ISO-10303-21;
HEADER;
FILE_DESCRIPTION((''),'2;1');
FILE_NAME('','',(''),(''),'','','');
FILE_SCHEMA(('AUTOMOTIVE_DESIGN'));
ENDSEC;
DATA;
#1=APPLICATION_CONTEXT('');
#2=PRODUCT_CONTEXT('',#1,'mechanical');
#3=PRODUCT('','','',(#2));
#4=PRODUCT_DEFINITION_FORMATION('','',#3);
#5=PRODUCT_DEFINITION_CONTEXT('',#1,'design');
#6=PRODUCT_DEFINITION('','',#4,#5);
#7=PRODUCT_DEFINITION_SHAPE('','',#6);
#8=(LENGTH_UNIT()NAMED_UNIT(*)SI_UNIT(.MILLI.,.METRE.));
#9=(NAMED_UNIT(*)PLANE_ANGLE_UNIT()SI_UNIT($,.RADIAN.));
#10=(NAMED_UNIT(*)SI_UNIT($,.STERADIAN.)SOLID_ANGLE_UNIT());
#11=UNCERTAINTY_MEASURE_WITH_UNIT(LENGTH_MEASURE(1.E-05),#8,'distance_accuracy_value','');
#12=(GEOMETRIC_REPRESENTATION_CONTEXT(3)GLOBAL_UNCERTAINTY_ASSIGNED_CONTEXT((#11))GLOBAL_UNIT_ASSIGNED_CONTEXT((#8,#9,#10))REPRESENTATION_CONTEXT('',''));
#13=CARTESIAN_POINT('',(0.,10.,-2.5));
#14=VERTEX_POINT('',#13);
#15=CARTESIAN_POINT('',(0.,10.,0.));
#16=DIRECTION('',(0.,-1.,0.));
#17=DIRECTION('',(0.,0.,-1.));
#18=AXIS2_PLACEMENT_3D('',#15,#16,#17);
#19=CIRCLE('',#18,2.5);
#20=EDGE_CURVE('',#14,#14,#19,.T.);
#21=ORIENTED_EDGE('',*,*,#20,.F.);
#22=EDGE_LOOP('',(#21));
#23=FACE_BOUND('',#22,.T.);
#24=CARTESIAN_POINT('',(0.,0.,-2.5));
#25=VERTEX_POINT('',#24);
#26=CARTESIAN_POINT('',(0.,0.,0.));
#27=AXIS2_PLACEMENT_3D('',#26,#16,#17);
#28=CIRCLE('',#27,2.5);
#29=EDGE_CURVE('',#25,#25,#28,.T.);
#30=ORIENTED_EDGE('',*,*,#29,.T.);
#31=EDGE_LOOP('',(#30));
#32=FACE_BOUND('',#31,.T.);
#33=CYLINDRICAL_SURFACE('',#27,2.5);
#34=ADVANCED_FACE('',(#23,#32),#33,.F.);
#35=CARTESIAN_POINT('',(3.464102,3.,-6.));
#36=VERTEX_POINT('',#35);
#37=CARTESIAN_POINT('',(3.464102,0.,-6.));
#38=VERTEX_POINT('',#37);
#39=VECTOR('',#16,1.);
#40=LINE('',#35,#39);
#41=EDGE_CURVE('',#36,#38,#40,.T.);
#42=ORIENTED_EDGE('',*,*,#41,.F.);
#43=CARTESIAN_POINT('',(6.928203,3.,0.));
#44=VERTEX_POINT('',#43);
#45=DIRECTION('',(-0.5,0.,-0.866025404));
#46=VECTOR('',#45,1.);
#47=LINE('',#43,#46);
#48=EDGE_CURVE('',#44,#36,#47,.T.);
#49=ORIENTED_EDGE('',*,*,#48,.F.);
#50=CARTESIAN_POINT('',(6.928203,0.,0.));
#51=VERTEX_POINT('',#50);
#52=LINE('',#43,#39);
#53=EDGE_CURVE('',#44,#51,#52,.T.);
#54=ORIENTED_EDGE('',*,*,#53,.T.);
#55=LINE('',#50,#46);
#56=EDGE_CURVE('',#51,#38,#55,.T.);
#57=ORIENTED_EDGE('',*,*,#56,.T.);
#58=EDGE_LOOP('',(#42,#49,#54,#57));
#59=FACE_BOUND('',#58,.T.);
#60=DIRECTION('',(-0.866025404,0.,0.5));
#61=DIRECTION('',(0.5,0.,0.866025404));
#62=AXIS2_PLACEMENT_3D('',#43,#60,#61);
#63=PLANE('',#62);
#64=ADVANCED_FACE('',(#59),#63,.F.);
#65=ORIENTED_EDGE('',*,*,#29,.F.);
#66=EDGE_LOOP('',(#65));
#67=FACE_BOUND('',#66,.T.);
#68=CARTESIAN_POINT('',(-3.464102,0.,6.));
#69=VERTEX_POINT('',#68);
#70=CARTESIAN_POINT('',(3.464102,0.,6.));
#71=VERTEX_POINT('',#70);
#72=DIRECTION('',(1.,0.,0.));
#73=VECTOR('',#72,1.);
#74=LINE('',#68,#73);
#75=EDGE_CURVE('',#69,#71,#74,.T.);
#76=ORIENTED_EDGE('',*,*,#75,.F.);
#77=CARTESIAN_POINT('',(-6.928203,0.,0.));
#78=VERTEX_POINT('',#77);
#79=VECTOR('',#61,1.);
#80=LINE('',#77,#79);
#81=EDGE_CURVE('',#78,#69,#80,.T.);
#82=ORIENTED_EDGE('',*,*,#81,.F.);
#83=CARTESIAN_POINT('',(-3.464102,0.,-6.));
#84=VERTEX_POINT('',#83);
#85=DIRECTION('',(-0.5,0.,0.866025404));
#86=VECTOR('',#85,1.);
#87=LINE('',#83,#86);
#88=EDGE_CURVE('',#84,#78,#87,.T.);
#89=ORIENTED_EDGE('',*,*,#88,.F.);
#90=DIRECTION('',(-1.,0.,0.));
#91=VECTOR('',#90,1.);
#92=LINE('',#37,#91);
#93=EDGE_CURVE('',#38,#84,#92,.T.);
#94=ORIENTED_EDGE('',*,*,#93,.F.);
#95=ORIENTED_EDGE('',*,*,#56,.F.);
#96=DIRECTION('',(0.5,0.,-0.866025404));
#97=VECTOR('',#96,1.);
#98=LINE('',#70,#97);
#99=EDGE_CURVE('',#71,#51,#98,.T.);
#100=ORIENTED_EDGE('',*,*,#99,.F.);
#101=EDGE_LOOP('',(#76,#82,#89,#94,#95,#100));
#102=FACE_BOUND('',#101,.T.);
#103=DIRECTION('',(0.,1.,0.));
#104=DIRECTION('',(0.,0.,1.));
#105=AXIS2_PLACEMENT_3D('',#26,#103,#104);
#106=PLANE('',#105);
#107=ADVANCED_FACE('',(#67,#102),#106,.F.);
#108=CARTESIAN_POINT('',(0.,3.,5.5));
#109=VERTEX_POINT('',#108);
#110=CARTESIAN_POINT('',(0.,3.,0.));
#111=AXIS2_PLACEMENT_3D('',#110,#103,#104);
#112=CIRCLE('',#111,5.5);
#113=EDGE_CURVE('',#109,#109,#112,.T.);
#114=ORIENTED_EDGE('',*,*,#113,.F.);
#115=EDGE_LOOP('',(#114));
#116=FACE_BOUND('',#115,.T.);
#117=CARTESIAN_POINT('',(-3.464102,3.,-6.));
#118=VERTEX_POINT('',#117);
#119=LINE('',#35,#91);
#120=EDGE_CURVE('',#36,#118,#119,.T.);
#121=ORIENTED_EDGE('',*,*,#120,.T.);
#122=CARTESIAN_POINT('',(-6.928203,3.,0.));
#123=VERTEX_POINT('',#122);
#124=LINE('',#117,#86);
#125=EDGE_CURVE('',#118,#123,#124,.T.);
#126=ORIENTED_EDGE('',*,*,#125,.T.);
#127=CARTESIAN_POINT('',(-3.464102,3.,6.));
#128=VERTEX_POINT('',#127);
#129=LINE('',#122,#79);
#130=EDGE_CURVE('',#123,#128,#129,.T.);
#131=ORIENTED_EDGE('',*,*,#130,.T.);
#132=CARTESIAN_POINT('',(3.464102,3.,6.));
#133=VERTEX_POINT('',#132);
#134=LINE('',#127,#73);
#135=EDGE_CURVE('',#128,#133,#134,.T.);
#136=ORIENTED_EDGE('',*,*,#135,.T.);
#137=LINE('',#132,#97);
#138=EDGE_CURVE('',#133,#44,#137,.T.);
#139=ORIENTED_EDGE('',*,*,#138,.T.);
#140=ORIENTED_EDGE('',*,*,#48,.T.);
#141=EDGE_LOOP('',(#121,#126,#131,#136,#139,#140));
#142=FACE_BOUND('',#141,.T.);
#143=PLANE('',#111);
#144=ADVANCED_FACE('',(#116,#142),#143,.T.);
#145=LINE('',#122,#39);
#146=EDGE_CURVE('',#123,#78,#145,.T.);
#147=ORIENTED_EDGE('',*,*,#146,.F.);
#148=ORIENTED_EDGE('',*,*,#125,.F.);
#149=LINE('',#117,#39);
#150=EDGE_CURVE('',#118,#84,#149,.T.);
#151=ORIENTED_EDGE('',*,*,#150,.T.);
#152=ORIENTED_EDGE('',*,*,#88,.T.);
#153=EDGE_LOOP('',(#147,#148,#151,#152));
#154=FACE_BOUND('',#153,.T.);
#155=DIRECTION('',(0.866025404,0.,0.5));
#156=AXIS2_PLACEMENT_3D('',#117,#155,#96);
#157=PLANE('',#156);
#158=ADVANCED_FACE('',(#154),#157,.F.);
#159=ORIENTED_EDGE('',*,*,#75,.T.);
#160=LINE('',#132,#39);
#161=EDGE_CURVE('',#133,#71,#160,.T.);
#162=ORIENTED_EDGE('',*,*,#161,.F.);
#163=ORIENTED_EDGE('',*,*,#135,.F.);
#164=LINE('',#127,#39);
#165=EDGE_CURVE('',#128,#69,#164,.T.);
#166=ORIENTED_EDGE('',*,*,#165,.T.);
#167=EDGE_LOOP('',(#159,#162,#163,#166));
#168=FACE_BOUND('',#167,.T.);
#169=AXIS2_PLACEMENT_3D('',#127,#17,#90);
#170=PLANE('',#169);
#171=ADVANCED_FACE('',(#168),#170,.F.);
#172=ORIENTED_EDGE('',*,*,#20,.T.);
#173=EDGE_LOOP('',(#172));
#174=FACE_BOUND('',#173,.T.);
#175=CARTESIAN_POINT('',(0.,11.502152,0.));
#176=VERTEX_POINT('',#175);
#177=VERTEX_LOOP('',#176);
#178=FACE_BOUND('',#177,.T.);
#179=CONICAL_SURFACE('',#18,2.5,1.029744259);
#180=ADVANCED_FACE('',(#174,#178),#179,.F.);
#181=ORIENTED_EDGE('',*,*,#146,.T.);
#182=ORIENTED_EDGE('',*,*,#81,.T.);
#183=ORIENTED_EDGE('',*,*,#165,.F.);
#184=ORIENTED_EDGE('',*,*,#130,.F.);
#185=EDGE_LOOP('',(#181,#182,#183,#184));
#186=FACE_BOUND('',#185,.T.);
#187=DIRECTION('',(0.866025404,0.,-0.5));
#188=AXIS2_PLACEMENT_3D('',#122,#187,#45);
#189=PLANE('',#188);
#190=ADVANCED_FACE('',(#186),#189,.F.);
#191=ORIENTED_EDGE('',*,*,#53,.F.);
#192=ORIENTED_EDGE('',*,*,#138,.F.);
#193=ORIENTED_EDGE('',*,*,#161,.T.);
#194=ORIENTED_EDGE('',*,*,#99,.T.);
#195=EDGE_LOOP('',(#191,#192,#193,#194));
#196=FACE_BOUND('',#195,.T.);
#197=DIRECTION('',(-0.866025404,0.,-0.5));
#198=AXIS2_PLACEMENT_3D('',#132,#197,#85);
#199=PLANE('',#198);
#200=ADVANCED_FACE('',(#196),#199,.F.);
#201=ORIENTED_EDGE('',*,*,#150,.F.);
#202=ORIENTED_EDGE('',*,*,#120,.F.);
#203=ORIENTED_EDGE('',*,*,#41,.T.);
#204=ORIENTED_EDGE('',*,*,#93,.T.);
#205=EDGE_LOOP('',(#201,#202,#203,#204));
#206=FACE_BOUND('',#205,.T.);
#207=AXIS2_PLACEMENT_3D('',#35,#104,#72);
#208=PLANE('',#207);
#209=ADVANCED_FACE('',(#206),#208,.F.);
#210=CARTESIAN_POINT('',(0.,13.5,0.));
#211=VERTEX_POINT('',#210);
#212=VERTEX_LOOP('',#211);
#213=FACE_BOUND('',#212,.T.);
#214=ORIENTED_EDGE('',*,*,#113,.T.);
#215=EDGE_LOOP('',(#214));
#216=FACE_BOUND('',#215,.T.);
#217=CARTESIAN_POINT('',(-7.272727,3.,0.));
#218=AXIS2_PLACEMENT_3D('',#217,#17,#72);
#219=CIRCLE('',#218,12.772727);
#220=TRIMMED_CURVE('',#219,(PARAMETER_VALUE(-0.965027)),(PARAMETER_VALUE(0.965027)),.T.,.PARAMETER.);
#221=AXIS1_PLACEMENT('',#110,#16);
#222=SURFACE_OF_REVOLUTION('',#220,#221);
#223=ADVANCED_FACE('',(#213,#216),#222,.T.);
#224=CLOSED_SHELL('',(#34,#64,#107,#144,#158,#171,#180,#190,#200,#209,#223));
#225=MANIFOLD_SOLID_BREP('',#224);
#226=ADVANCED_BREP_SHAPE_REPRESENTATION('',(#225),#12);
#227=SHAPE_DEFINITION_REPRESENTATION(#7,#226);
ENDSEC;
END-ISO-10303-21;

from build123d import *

# Parameters (mm, degrees)
BOSS_EXTRUDE1_DEPTH   = 3
M6_TAPPED_HOLE1_D     = 5
M6_TAPPED_HOLE1_DEPTH = 10
M6_TAPPED_HOLE1_TIP   = 1.502151548


with BuildPart() as part:
    # Sketch1 → Boss-Extrude1 (new body)
    with BuildSketch(Plane(origin=(0, 0, 0), x_dir=(1, 0, 0), z_dir=(0, 1, 0))):
        Polygon((6.92820323, 0), (3.464101615, 6), (-3.464101615, 6), (-6.92820323, 0), (-3.464101615, -6), (3.464101615, -6), align=None)
    extrude(amount=BOSS_EXTRUDE1_DEPTH)

    # Sketch2 → Revolve1 (revolve)
    with BuildSketch(Plane.XY):
        with BuildLine():
            Line((0, 3), (0, 13.5))
            ThreePointArc((0, 13.5), (4.041757337, 8.926634796), (5.5, 3))
            Line((5.5, 3), (0, 3))
        make_face()
    revolve(axis=Axis((0, 3, 0), (0, 1, 0)))

    # M6 Tapped Hole1
    with Locations(Plane(origin=(0, 0, 0), x_dir=(-1, 0, 0), z_dir=(0, -1, 0))):
        with Locations((0, 0)):
            Hole(M6_TAPPED_HOLE1_D / 2, depth=M6_TAPPED_HOLE1_DEPTH)
            with Locations((0, 0, -(M6_TAPPED_HOLE1_DEPTH + M6_TAPPED_HOLE1_TIP / 2))):  # 118° drill point
                Cone(0, M6_TAPPED_HOLE1_D / 2, M6_TAPPED_HOLE1_TIP, mode=Mode.SUBTRACT)


solid = part.part
